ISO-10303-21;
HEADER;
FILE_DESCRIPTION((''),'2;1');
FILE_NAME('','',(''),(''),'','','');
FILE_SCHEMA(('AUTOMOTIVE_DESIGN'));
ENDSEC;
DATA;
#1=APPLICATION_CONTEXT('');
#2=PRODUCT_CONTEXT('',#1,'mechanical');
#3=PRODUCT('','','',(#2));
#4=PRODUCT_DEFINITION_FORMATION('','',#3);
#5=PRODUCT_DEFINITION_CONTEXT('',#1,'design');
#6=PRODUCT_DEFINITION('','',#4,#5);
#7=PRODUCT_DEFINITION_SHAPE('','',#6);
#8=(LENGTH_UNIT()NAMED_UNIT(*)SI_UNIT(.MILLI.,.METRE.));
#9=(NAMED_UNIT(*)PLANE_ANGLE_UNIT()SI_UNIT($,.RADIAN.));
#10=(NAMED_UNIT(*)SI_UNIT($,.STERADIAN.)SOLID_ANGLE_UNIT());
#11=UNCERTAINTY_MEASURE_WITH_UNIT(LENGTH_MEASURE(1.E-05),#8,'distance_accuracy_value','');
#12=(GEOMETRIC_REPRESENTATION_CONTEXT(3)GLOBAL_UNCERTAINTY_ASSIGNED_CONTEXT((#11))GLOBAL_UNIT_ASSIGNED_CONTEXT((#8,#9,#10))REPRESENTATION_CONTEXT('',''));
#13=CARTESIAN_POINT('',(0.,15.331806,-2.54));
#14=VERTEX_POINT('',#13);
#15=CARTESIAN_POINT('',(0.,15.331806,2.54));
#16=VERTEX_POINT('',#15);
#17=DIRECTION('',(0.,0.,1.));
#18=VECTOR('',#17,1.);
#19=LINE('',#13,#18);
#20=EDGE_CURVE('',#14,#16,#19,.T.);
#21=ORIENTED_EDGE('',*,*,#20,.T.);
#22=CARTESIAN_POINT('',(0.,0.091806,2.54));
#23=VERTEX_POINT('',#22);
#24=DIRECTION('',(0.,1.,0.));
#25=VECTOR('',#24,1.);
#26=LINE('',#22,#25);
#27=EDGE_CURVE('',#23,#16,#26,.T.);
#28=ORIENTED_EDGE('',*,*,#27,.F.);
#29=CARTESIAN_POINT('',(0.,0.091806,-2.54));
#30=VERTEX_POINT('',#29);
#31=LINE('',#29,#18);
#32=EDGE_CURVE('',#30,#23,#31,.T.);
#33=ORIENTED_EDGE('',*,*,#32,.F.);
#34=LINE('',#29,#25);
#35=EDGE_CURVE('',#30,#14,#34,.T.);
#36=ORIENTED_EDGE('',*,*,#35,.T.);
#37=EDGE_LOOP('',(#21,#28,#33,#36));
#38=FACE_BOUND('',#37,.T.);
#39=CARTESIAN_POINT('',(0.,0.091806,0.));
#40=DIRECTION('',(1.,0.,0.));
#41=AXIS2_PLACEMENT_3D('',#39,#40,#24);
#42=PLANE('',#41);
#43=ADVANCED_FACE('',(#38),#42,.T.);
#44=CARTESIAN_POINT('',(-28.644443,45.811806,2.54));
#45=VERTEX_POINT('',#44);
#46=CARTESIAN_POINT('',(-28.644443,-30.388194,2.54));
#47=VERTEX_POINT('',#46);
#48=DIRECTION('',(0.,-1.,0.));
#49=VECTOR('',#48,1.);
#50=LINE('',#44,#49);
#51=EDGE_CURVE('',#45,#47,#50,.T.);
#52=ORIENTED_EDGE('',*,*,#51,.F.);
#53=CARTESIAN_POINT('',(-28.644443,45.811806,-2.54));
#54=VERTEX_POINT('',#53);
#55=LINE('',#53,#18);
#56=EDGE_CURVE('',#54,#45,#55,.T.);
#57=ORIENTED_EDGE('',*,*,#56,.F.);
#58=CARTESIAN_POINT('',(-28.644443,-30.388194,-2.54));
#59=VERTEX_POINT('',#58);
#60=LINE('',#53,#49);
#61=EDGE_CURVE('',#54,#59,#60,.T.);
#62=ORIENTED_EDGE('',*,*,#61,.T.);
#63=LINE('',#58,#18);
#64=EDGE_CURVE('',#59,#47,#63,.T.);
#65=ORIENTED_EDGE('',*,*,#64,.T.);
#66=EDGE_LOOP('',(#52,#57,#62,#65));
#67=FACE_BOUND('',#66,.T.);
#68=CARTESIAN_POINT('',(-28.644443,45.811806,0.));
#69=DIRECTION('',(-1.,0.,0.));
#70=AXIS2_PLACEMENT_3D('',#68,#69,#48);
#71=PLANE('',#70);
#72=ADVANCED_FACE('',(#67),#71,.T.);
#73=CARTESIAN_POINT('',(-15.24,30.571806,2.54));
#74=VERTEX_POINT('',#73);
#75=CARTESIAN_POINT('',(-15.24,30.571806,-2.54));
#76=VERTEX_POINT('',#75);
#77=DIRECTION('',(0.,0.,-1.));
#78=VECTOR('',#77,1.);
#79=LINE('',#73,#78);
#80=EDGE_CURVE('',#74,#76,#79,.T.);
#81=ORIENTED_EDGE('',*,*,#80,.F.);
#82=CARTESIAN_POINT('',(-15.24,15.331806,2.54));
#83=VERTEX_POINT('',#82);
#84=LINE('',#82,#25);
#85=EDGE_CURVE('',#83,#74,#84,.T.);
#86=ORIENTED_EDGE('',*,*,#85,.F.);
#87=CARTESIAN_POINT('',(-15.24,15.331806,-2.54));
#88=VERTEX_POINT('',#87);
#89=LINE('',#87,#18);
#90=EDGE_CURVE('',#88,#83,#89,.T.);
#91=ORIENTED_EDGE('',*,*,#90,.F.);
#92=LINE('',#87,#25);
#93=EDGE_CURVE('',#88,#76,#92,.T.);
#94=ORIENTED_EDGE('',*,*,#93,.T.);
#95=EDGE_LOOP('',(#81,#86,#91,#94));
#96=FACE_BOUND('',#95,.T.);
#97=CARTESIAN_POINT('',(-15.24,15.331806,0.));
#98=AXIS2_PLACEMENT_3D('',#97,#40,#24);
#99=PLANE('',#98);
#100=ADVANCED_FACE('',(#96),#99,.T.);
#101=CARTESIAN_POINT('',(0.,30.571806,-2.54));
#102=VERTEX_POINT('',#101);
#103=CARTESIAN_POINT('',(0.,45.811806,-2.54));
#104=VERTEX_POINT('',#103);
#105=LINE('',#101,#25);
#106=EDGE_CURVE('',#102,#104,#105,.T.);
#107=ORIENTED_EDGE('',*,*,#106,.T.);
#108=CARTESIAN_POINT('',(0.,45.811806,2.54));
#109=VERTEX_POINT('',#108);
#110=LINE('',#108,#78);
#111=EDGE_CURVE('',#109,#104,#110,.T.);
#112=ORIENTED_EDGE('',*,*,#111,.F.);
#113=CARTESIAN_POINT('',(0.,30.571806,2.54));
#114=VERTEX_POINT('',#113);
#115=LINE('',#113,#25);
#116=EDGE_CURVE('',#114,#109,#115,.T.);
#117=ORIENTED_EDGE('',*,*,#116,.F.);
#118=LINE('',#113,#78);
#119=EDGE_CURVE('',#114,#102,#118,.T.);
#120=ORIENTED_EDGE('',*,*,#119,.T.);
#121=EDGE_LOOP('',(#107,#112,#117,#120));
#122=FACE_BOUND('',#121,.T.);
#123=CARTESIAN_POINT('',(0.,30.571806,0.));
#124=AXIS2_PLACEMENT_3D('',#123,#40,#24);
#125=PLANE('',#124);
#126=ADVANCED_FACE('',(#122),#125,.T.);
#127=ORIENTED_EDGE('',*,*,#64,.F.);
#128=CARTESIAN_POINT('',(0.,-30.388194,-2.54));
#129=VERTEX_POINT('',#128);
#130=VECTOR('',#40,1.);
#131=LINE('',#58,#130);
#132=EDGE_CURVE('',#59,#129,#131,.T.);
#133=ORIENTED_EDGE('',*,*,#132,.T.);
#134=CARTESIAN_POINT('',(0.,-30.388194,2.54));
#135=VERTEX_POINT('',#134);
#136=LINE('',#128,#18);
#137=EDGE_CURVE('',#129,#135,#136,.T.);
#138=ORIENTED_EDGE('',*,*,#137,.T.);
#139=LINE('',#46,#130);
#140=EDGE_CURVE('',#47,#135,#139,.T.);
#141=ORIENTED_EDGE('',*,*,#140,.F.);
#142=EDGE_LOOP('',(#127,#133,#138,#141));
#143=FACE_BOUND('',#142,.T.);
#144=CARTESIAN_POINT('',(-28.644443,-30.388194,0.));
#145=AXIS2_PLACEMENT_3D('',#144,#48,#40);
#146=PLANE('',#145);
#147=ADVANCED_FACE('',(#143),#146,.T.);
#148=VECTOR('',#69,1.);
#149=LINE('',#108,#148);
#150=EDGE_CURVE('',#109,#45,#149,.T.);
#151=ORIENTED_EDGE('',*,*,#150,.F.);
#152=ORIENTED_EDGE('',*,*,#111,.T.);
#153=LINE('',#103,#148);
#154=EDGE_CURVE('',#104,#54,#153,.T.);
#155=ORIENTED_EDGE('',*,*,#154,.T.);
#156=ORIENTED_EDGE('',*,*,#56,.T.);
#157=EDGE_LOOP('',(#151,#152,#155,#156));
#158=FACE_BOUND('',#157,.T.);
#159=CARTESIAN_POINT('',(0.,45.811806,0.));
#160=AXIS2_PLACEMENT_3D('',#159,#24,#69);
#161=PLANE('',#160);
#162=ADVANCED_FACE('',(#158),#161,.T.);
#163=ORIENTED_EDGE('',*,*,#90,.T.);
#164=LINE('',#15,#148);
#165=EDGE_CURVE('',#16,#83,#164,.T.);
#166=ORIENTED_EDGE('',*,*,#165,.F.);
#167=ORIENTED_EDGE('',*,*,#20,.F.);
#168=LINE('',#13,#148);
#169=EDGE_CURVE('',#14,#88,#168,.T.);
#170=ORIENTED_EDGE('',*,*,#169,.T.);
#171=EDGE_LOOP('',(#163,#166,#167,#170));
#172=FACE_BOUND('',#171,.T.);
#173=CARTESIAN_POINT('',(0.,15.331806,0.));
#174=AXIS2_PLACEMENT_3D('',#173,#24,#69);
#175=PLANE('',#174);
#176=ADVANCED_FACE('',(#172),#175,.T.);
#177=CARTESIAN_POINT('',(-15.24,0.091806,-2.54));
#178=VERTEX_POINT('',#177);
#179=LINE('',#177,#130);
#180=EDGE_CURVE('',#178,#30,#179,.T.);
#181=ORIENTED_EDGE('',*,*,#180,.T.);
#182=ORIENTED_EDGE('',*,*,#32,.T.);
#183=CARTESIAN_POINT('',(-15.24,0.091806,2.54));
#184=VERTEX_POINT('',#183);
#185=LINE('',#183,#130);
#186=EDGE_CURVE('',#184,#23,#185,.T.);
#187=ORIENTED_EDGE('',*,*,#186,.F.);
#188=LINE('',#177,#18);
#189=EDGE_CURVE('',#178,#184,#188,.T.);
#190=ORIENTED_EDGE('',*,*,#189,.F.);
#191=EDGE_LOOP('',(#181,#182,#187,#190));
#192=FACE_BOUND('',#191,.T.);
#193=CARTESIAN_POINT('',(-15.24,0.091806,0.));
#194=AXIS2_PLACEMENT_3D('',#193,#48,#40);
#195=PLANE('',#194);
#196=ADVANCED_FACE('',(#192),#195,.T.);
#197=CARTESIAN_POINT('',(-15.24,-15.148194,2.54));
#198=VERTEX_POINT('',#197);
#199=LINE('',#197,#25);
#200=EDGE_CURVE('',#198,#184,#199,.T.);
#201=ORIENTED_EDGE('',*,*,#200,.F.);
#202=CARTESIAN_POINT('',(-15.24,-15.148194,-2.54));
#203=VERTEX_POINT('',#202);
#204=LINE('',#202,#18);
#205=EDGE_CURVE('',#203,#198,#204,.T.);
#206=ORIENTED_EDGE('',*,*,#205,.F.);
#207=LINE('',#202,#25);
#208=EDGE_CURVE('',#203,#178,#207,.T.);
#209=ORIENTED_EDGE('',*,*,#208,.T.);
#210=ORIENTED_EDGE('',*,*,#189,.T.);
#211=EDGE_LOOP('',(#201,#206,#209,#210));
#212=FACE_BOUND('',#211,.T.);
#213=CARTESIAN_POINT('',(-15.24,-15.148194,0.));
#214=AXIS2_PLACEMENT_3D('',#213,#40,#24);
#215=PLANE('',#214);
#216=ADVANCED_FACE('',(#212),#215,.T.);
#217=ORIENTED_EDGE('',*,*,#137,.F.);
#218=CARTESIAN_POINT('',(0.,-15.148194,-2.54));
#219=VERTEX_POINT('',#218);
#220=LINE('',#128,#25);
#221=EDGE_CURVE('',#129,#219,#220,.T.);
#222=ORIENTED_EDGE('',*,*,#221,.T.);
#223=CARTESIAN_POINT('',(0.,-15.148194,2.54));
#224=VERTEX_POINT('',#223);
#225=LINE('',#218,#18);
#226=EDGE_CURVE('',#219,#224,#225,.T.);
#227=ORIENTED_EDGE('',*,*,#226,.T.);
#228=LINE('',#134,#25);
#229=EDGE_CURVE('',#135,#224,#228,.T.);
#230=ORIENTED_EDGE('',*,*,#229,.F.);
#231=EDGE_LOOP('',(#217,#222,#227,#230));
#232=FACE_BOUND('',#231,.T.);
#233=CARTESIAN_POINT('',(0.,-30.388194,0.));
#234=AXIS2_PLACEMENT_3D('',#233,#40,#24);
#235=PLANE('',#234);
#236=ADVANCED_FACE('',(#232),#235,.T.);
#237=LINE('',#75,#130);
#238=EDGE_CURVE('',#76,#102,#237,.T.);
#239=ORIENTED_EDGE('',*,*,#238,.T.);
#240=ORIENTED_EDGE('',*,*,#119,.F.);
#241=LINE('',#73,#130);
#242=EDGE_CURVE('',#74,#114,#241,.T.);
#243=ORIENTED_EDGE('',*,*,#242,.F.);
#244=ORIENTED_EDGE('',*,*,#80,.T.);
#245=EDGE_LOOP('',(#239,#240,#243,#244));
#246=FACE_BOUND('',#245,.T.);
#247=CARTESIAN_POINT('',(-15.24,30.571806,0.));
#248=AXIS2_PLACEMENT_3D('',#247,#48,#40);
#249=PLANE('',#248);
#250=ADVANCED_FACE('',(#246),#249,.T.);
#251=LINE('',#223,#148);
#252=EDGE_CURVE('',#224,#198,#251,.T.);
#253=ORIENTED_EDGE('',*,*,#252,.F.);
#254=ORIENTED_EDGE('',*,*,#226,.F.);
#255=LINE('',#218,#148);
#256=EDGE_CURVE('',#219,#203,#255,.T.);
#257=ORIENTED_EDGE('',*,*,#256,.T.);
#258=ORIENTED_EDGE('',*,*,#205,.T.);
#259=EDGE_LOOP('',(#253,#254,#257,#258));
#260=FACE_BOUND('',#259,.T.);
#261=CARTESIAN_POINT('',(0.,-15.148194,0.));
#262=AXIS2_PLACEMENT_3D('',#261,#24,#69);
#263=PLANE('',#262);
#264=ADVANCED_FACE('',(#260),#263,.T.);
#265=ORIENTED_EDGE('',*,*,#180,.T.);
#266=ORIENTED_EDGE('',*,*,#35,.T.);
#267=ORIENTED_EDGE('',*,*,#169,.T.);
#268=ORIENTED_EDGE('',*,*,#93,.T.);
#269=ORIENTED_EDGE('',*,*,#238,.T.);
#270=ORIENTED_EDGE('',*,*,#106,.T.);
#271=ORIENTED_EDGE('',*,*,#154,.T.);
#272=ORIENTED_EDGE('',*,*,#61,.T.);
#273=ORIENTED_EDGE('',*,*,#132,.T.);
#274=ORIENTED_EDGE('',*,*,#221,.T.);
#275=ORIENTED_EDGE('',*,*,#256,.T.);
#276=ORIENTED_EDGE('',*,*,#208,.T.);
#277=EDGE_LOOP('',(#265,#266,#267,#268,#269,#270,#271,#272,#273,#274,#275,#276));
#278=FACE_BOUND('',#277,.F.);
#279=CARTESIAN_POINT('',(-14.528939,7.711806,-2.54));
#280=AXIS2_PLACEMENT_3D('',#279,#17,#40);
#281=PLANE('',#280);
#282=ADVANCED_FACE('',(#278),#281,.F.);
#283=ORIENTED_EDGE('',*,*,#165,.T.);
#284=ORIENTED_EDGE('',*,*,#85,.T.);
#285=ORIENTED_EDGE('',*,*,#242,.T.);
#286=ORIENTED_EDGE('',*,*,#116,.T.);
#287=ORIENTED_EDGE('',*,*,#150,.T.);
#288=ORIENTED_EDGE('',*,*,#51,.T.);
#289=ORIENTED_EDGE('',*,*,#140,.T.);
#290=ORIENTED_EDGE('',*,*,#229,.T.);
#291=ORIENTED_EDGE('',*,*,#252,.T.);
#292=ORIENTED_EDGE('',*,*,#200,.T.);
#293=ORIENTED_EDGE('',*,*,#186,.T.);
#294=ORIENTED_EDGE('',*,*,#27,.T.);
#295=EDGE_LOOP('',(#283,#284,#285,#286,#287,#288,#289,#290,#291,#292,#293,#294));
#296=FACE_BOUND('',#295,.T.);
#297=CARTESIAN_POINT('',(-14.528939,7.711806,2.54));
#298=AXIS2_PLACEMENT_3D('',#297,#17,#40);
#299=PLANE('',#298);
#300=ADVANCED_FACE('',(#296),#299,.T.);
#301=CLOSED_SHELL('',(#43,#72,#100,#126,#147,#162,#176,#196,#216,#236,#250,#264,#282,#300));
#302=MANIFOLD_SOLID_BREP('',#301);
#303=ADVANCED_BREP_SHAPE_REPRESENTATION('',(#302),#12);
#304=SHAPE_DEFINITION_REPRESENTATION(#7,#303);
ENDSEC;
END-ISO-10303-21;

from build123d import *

# Parameters (mm, degrees)
F1_DEPTH = 2.54


with BuildPart() as f1:
    # F0 (on Top) → F1 (new body, symmetric)
    with BuildSketch(Plane.XY):
        Polygon((0, 45.811806), (-28.644443, 45.811806), (-28.644443, -30.388194), (0, -30.388194), (0, -15.148194), (-15.24, -15.148194), (-15.24, 0.091806), (0, 0.091806), (0, 15.331806), (-15.24, 15.331806), (-15.24, 30.571806), (0, 30.571806), align=None)
    extrude(amount=F1_DEPTH, both=True)


solid = f1.part
